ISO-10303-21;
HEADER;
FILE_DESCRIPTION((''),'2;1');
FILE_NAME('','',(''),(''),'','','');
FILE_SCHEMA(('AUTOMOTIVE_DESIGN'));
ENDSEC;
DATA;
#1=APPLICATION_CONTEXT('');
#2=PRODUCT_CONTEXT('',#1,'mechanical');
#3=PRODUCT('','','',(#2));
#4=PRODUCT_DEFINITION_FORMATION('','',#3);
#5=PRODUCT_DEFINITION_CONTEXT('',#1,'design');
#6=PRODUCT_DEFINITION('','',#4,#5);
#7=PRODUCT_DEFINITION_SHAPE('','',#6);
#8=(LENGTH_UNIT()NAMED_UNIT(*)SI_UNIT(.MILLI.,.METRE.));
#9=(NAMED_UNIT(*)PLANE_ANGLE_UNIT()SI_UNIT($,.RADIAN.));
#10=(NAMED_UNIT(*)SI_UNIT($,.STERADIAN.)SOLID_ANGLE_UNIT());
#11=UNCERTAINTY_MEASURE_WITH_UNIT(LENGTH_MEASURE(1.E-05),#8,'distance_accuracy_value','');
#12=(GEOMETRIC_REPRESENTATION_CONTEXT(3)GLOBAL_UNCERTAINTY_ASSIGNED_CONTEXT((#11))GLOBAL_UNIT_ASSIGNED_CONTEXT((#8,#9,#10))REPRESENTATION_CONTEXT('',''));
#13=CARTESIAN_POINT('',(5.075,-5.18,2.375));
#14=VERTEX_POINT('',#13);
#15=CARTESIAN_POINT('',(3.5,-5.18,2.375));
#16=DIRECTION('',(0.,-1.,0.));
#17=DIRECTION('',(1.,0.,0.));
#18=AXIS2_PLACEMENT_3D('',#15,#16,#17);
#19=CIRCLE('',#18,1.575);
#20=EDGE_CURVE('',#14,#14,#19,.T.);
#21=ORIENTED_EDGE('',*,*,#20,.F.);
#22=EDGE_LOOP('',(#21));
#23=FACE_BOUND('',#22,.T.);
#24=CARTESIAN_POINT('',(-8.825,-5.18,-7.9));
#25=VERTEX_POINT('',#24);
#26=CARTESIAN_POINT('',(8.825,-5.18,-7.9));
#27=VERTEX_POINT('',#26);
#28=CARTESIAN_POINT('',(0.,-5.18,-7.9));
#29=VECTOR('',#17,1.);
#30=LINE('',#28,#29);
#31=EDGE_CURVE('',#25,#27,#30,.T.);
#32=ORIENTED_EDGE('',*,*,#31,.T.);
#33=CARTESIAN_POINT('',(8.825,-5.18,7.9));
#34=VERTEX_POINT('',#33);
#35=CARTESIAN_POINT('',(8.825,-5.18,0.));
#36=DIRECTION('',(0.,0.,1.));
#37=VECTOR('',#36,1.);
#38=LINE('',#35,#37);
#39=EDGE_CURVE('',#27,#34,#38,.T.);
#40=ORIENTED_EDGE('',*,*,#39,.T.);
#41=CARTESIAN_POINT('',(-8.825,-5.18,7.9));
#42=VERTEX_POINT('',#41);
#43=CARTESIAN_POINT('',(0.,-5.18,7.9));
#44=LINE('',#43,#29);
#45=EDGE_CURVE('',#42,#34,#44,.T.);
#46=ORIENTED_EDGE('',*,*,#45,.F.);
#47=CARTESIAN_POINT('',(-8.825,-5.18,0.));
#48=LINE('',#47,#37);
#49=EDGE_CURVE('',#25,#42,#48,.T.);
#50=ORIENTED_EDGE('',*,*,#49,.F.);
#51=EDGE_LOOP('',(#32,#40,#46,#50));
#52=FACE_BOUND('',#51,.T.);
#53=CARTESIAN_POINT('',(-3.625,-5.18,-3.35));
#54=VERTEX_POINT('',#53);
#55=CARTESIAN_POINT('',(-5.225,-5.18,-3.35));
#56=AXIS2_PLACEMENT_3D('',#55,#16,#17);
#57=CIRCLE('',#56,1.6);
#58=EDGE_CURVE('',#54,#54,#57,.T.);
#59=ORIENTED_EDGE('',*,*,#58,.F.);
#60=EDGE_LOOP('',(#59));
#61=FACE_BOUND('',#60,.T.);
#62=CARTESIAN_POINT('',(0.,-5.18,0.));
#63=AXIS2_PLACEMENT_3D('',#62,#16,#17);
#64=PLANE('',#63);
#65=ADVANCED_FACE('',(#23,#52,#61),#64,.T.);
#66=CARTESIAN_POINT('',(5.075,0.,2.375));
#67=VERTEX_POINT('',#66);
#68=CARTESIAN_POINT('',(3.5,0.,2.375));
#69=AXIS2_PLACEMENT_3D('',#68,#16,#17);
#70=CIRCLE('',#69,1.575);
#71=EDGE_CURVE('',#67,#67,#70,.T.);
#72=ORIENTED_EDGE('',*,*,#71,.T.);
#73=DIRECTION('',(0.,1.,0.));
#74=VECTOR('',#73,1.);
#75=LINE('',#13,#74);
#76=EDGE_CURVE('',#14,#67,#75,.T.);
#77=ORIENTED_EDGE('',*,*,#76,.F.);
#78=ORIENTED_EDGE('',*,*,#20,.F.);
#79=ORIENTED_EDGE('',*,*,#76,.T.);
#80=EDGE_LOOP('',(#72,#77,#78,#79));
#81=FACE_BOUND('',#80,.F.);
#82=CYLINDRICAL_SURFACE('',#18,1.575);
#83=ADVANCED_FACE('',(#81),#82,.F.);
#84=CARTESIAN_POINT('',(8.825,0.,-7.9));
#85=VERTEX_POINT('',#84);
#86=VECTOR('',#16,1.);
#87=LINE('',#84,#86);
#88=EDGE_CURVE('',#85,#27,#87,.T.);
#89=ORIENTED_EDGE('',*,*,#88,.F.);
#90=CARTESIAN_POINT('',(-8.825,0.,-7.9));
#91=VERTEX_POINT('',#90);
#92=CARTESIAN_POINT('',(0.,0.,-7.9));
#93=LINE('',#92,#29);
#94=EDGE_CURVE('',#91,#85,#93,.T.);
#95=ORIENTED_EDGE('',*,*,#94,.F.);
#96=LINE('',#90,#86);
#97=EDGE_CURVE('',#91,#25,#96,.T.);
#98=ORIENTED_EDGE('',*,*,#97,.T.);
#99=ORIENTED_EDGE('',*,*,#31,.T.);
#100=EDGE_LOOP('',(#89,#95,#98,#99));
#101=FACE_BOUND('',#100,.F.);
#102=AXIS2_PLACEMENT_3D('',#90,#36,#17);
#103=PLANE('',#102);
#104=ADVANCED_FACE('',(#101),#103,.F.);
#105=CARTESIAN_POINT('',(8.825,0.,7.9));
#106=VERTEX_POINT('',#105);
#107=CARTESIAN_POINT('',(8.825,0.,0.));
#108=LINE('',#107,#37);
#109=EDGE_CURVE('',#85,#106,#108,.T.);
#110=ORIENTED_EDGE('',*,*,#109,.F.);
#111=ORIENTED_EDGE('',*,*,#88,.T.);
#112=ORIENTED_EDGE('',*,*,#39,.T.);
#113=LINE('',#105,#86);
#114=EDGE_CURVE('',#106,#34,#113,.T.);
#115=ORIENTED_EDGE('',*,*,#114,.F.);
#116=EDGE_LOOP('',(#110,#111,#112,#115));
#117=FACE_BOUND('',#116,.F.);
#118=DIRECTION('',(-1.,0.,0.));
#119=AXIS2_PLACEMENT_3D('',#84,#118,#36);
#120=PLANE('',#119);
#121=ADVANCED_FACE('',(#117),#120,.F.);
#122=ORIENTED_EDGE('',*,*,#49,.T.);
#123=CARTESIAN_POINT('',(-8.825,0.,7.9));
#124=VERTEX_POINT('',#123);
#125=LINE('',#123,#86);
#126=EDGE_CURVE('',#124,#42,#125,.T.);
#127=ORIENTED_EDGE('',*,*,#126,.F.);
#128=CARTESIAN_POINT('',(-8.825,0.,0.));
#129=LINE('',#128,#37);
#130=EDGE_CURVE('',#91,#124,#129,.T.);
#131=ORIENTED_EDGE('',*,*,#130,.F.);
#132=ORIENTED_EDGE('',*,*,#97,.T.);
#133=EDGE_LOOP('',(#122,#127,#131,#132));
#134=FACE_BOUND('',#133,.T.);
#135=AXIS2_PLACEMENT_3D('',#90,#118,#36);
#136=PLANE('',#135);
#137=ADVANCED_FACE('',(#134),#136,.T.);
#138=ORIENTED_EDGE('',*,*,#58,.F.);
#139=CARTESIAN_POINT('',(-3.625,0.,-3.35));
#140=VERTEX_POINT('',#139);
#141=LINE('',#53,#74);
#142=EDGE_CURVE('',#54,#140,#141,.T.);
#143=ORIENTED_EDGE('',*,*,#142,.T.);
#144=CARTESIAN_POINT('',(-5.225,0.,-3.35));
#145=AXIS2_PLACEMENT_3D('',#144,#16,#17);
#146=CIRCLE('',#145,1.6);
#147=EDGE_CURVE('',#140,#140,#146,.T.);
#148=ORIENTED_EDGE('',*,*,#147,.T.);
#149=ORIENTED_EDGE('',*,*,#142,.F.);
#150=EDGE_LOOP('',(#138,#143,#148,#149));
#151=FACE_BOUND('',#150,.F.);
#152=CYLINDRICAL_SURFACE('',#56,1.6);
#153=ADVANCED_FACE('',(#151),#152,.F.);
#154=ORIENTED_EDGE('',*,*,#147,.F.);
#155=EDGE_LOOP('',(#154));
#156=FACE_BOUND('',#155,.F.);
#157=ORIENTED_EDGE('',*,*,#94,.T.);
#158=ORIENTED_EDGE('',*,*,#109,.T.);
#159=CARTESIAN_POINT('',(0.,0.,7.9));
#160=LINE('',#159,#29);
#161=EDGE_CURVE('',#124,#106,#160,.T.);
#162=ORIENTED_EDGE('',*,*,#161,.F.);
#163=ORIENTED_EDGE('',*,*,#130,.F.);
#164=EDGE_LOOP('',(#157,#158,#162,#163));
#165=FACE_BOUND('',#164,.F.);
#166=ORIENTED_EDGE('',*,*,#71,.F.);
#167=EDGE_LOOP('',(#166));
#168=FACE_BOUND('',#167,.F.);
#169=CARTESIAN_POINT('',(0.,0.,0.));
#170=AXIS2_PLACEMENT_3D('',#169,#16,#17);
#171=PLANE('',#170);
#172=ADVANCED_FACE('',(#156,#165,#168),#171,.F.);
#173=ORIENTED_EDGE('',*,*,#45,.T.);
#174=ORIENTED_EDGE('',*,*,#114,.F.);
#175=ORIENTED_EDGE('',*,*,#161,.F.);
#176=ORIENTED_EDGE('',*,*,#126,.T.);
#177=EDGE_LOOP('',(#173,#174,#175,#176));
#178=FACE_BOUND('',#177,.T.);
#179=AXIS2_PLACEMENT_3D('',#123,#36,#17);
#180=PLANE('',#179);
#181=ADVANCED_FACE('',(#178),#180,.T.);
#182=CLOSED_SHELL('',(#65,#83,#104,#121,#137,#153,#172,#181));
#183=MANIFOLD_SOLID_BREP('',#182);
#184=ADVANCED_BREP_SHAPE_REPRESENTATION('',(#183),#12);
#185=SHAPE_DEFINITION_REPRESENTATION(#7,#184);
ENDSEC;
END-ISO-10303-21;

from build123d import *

# Parameters (mm, degrees)
F0_W     = 17.65
F0_H     = 15.8
F1_DEPTH = 5.18
F2_R     = 1.6
F2_R_2   = 1.575
F3_DEPTH = 5.181


with BuildPart() as f1:
    # F0 (on Front) → F1 (new body)
    with BuildSketch(Plane.XZ):
        Rectangle(F0_W, F0_H)
    extrude(amount=F1_DEPTH)

    # F2 (on face) → F3 (cut, through all)
    with BuildSketch(Plane.XZ.offset(5.18)):
        with Locations((-5.225, -3.35)):
            Circle(F2_R)
        with Locations((3.5, 2.375)):
            Circle(F2_R_2)
    extrude(amount=-F3_DEPTH, mode=Mode.SUBTRACT)


solid = f1.part
